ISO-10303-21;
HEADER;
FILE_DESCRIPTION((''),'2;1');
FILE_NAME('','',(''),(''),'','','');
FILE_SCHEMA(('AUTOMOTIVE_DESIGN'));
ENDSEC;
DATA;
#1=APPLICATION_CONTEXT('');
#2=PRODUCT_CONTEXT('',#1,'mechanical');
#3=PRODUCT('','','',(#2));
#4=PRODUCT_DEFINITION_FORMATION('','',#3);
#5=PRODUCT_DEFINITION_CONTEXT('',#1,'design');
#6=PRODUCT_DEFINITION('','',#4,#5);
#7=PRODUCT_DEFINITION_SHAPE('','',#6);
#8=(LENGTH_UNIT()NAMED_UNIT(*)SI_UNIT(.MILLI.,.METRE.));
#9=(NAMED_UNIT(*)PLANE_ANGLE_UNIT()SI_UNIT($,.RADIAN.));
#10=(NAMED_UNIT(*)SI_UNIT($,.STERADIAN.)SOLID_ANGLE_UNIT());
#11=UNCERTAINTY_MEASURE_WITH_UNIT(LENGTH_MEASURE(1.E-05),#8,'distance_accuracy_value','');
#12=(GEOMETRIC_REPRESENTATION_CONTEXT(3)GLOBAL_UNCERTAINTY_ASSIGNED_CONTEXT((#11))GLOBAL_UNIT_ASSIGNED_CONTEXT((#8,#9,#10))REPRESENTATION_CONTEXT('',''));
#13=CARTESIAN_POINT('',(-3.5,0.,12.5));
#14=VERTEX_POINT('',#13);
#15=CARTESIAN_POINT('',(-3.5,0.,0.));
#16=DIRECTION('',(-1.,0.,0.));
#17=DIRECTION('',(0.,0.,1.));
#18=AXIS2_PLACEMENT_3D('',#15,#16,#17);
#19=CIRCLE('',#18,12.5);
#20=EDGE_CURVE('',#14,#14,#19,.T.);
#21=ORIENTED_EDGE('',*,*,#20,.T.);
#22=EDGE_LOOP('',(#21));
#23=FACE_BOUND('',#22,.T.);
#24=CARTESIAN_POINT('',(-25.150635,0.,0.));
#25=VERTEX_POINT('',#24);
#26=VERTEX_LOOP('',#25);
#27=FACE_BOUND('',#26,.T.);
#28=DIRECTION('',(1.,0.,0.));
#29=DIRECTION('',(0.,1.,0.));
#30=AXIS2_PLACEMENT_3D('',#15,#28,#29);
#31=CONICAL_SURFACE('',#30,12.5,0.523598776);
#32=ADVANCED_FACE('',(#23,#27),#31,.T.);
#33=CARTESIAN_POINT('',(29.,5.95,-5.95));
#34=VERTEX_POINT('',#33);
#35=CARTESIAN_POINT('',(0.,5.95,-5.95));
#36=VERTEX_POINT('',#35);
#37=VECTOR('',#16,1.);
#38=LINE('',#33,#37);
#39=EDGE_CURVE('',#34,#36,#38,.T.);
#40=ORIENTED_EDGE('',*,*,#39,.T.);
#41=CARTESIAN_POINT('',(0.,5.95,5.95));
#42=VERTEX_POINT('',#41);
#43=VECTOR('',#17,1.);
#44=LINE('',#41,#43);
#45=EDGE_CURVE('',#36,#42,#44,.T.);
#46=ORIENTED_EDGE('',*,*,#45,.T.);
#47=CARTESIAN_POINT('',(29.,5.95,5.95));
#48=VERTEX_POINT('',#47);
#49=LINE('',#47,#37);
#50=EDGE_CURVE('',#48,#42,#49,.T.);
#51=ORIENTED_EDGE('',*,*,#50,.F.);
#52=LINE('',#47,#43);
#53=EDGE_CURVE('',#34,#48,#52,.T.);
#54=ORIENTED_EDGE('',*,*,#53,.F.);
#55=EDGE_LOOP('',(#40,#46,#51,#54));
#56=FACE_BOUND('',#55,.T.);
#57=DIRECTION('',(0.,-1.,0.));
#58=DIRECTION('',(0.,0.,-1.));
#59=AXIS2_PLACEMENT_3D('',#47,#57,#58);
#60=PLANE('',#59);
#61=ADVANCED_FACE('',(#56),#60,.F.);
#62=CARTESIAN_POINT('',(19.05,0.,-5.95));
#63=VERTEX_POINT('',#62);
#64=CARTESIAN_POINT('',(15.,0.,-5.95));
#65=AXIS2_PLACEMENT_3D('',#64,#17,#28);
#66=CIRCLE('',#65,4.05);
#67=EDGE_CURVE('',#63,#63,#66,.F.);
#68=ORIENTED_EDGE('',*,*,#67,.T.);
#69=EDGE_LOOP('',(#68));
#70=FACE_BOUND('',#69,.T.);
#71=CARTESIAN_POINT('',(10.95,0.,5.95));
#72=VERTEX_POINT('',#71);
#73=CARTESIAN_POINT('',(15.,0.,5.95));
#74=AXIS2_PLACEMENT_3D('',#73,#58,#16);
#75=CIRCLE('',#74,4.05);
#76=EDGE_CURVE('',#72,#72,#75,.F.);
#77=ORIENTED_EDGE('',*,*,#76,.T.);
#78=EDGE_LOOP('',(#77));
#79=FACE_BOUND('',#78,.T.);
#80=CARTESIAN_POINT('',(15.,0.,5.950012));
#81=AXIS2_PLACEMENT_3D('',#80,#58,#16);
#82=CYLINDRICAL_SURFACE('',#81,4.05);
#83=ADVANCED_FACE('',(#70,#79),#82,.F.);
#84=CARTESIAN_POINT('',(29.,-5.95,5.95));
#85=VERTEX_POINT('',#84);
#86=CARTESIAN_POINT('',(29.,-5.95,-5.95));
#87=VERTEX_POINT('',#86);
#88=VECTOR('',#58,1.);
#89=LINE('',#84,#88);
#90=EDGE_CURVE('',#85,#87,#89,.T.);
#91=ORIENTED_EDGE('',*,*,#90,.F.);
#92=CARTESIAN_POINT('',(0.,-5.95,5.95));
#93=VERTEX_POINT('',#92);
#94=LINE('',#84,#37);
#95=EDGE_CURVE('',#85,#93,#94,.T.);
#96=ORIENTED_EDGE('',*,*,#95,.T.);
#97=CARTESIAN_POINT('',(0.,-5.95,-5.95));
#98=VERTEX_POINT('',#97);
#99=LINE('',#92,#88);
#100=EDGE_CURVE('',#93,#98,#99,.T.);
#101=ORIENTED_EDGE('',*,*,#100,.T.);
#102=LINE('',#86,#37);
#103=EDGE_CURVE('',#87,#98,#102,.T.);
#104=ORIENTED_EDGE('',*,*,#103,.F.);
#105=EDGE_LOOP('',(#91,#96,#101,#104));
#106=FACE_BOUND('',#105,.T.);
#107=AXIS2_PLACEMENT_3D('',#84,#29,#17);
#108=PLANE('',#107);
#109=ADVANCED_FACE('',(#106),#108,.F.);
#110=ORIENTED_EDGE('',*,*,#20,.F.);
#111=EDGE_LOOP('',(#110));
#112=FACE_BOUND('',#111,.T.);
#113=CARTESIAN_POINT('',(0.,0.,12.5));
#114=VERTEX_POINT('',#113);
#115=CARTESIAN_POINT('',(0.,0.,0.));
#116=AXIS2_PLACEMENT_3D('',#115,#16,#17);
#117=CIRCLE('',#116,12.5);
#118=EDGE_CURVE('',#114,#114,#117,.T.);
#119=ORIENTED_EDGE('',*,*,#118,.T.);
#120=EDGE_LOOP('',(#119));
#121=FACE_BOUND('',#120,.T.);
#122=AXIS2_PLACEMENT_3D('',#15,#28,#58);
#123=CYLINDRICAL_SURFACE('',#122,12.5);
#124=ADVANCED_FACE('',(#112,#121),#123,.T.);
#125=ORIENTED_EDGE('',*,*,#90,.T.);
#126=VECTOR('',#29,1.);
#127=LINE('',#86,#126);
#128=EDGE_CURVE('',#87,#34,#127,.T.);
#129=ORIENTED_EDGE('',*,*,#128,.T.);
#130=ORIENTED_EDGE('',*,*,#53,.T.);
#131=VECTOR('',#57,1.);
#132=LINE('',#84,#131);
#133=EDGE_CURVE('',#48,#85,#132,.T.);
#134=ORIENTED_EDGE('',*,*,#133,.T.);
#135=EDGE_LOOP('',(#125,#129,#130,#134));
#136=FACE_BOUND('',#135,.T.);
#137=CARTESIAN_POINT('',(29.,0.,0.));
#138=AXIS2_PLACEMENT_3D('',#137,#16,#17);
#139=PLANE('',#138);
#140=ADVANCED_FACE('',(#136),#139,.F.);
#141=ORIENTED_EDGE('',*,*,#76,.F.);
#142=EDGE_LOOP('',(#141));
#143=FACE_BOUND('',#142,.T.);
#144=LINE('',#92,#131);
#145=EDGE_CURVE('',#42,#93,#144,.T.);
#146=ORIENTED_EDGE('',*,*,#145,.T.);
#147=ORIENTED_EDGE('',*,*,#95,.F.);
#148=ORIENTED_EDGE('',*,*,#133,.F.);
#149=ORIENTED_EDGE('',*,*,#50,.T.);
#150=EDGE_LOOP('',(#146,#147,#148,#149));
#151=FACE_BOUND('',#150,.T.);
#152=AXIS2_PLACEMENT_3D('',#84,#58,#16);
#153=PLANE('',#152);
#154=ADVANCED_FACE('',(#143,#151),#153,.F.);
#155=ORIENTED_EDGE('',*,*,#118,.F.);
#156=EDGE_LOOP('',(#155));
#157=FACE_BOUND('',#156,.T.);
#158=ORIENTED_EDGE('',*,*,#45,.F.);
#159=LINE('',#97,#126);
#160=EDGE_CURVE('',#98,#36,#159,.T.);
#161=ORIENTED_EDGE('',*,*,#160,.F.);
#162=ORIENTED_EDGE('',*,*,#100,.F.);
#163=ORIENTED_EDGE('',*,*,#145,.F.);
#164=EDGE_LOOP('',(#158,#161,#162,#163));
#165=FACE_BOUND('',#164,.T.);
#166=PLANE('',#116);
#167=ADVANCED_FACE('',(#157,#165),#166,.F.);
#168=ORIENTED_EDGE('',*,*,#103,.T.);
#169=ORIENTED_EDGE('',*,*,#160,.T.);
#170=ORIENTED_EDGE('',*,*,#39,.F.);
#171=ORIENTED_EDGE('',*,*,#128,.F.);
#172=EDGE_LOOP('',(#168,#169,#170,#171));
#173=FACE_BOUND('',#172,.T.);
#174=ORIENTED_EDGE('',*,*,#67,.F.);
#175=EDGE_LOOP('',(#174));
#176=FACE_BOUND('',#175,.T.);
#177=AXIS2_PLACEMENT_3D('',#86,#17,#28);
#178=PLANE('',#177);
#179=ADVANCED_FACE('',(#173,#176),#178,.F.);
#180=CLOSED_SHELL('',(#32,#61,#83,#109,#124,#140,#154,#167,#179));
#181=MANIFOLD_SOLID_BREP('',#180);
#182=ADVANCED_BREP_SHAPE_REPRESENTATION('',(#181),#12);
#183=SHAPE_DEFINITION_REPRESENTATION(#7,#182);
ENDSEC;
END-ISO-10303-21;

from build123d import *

# Parameters (mm, degrees)
SKETCH1_W                      = 11.9
SKETCH1_H                      = 11.9
BOSS_EXTRUDE1_DEPTH            = 29
CUT_EXTRUDE1_REACH             = 13.9
SKETCH2_R                      = 4.05
CUT_EXTRUDE1_DIRECTION_2_DEPTH = 1
SKETCH3_R                      = 12.5
BOSS_EXTRUDE2_DEPTH            = 3.5


with BuildPart() as part:
    # Sketch1 → Boss-Extrude1 (new body)
    with BuildSketch(Plane(origin=(0, 0, 0), x_dir=(0, 0, -1), z_dir=(1, 0, 0))):
        Rectangle(SKETCH1_W, SKETCH1_H)
    extrude(amount=BOSS_EXTRUDE1_DEPTH)

    # Sketch2 → Cut-Extrude1 (cut, up to next)
    with BuildSketch(Plane.XY.offset(5.95), mode=Mode.PRIVATE) as cut_extrude1_sk1:
        with Locations((15, 0)):
            Circle(SKETCH2_R)
    cut_extrude1_tool1 = extrude(cut_extrude1_sk1.sketch, amount=-CUT_EXTRUDE1_REACH, mode=Mode.PRIVATE) & part.part
    add(cut_extrude1_tool1.solids().sort_by_distance((15, 0, 5.95))[0], mode=Mode.SUBTRACT)

    # Sketch2 → Cut-Extrude1 direction 2 (cut)
    with BuildSketch(Plane.XY.offset(5.95)):
        with Locations((15, 0)):
            Circle(SKETCH2_R)
    extrude(amount=CUT_EXTRUDE1_DIRECTION_2_DEPTH, mode=Mode.SUBTRACT)

    # Sketch3 → Boss-Extrude2 (add)
    with BuildSketch(Plane.ZY):
        Circle(SKETCH3_R)
    extrude(amount=BOSS_EXTRUDE2_DEPTH)

    # Sketch4 → Revolve1 (revolve)
    with BuildSketch(Plane.XY):
        Polygon((-3.5, 0), (-3.5, 12.5), (-25.150635095, 0), align=None)
    revolve(axis=Axis((0, 0, 0), (-1, 0, 0)))


solid = part.part
